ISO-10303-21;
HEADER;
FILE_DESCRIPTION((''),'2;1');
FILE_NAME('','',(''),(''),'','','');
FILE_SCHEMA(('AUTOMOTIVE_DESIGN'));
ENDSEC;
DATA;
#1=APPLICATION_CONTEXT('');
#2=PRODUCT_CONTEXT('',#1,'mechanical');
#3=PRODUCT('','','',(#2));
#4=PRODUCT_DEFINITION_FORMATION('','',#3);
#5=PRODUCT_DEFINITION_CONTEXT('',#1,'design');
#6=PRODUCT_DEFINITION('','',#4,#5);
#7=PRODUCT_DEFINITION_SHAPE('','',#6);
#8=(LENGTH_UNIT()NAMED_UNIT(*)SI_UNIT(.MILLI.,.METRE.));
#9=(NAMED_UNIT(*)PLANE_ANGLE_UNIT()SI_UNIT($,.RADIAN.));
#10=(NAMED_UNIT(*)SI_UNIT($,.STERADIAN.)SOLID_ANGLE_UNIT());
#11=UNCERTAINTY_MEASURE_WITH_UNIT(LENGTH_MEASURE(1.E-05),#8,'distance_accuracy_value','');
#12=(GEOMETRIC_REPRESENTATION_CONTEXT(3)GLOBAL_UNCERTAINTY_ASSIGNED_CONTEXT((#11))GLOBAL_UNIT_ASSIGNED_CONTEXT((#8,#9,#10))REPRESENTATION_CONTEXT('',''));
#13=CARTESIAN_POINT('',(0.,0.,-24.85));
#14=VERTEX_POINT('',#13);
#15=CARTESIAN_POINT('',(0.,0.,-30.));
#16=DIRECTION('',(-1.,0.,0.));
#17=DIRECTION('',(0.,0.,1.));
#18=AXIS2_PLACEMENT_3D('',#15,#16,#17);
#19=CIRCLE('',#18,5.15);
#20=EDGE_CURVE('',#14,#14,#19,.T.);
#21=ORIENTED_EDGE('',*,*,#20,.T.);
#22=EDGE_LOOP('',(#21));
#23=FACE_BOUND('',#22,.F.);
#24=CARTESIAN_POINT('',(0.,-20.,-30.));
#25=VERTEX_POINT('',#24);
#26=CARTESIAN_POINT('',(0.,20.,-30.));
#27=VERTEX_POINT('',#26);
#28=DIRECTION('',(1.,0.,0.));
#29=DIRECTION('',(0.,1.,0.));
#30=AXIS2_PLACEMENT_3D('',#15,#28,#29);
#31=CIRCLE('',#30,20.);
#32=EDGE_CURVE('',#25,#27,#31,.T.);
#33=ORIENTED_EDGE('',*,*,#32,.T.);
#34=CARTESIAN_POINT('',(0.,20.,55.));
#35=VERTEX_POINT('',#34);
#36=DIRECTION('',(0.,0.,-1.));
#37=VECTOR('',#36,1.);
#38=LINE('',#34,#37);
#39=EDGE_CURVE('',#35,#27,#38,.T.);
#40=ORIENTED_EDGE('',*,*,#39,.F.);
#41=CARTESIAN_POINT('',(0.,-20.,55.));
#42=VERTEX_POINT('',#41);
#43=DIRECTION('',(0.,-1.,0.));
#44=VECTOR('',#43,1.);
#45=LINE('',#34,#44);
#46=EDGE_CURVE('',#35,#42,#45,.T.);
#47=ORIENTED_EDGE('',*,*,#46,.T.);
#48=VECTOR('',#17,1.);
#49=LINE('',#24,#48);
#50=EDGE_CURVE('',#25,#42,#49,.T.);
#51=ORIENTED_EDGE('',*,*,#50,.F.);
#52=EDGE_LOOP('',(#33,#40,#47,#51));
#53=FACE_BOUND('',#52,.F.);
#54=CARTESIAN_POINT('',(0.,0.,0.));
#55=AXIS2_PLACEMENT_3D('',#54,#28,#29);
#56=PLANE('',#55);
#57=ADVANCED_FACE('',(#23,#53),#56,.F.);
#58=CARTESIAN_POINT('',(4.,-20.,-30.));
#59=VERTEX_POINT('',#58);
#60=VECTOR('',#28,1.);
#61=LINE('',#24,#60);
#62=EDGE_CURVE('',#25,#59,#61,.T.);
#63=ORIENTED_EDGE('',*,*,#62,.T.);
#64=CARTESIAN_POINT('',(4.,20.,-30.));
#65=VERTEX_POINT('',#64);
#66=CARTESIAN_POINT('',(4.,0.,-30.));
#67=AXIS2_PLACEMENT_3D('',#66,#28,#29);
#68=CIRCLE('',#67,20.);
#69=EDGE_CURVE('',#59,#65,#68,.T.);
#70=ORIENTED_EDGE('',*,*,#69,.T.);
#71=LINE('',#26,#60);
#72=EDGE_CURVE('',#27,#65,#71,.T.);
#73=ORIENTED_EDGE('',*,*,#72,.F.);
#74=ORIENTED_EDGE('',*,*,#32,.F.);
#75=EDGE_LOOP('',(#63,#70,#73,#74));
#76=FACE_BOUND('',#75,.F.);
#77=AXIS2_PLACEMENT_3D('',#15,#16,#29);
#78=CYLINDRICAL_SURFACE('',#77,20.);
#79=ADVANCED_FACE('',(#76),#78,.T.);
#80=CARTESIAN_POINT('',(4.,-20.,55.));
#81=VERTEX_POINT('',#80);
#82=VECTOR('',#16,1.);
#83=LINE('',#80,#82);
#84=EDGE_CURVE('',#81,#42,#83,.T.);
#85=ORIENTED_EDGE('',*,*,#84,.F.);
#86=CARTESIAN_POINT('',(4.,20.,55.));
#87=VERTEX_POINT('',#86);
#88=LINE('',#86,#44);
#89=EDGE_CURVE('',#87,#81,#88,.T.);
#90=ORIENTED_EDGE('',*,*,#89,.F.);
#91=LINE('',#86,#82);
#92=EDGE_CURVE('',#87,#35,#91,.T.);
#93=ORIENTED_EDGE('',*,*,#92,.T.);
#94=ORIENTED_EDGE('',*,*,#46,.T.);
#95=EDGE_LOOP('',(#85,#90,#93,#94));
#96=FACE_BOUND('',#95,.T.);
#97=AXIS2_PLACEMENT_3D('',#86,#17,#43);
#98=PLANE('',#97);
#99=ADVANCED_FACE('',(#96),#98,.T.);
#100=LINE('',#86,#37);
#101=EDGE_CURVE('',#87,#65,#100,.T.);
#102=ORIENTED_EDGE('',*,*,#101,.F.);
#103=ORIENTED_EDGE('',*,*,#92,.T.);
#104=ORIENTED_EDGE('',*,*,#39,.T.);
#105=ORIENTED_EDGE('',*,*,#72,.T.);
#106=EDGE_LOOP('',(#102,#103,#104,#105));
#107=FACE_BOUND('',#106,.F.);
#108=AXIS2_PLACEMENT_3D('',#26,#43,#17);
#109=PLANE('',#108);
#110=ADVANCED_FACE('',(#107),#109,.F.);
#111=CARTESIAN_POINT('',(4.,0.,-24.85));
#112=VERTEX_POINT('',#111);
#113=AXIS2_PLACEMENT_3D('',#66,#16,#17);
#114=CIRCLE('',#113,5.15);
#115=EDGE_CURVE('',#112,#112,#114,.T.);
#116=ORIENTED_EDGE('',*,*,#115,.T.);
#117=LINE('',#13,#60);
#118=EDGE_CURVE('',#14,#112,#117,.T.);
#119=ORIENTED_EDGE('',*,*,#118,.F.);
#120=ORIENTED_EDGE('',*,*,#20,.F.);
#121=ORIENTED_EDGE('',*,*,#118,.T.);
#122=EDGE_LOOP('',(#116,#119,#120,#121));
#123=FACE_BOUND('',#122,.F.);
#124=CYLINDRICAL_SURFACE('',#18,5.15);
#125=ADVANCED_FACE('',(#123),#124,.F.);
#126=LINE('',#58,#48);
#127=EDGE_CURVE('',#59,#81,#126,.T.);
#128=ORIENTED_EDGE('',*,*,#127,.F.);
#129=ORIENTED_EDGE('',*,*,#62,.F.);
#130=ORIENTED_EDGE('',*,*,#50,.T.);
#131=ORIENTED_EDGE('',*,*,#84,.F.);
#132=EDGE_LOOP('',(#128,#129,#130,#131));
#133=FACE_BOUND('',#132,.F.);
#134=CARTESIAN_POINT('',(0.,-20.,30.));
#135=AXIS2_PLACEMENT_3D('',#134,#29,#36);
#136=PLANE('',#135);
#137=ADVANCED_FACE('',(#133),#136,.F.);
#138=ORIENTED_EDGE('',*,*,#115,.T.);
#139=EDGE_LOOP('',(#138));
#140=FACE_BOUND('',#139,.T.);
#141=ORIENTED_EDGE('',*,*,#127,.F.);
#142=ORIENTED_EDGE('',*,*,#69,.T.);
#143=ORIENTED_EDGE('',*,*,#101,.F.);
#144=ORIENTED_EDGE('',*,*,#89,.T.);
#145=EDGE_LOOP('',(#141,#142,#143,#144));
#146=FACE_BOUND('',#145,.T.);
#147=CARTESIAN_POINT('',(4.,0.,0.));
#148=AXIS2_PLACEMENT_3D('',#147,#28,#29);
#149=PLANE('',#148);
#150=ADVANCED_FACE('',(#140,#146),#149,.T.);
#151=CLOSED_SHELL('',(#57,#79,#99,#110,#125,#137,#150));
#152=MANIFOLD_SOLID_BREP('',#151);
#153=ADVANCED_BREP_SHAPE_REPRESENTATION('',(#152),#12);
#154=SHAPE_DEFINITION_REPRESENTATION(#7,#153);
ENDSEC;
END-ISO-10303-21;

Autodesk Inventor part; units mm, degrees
ref_plane "YZ Plane" through (0, 0, 0) normal (1, 0, 0) x (0, 1, 0)
ref_plane "XZ Plane" through (0, 0, 0) normal (0, 1, 0) x (-1, 0, 0)
ref_plane "XY Plane" through (0, 0, 0) normal (0, 0, 1) x (1, 0, 0)
sketch "Sketch1" plane through (0, 0, 0) normal (1, 0, 0) x (0, 1, 0)
  line L0 (-20, -30) -> (20, -30)
  line L1 (20, -30) -> (20, 30)
  line L2 (20, 30) -> (-20, 30)
  line L3 (-20, 30) -> (-20, -30)
  line L4 (-20, -30) -> (20, 30) construction
  line L5 (20, -30) -> (-20, 30) construction
  circle A0 centre (0, -30) radius 20
  point P0 (0, 0)
  dimension "d0" = 40
  dimension "d1" = 60
extrude "Extrusion1" add sketch "Sketch1" along normal blind 4
sketch "Sketch4" plane through (4, 0, 0) normal (1, 0, 0) x (0, 0, -1)
  line L0 (-5, 20) -> (-55, 20)
  line L1 (-55, 20) -> (-55, -20)
  line L2 (-55, -20) -> (-5, -20)
  line L3 (-5, -20) -> (-5, 20)
  line L4 (-5, -104.205) -> (-5, 91.5035)
  line L5 (0, -143.3467) -> (0, 130.6452) projected
  line L6 (30, 20) -> (-30, 20) projected
  dimension "d40" = 50
  dimension "d41" = 40
  dimension "d49" = 5
  dimension "d50" = 0
  dimension "d52" = 0
extrude "Extrusion4" add sketch "Sketch4" against normal blind 4
sketch "Sketch2" plane through (0, 0, 0) normal (-1, 0, 0) x (0, 0, 1)
  arc A0 (-30, 20) -> (-30, -20) centre (-30, 0) ccw projected
  circle A1 centre (-30, 0) radius 5.15
  point P0 (0, 0)
  dimension "d4" = 10.3
extrude "Extrusion2" cut sketch "Sketch2" against normal blind 4
properties part number "houder"
